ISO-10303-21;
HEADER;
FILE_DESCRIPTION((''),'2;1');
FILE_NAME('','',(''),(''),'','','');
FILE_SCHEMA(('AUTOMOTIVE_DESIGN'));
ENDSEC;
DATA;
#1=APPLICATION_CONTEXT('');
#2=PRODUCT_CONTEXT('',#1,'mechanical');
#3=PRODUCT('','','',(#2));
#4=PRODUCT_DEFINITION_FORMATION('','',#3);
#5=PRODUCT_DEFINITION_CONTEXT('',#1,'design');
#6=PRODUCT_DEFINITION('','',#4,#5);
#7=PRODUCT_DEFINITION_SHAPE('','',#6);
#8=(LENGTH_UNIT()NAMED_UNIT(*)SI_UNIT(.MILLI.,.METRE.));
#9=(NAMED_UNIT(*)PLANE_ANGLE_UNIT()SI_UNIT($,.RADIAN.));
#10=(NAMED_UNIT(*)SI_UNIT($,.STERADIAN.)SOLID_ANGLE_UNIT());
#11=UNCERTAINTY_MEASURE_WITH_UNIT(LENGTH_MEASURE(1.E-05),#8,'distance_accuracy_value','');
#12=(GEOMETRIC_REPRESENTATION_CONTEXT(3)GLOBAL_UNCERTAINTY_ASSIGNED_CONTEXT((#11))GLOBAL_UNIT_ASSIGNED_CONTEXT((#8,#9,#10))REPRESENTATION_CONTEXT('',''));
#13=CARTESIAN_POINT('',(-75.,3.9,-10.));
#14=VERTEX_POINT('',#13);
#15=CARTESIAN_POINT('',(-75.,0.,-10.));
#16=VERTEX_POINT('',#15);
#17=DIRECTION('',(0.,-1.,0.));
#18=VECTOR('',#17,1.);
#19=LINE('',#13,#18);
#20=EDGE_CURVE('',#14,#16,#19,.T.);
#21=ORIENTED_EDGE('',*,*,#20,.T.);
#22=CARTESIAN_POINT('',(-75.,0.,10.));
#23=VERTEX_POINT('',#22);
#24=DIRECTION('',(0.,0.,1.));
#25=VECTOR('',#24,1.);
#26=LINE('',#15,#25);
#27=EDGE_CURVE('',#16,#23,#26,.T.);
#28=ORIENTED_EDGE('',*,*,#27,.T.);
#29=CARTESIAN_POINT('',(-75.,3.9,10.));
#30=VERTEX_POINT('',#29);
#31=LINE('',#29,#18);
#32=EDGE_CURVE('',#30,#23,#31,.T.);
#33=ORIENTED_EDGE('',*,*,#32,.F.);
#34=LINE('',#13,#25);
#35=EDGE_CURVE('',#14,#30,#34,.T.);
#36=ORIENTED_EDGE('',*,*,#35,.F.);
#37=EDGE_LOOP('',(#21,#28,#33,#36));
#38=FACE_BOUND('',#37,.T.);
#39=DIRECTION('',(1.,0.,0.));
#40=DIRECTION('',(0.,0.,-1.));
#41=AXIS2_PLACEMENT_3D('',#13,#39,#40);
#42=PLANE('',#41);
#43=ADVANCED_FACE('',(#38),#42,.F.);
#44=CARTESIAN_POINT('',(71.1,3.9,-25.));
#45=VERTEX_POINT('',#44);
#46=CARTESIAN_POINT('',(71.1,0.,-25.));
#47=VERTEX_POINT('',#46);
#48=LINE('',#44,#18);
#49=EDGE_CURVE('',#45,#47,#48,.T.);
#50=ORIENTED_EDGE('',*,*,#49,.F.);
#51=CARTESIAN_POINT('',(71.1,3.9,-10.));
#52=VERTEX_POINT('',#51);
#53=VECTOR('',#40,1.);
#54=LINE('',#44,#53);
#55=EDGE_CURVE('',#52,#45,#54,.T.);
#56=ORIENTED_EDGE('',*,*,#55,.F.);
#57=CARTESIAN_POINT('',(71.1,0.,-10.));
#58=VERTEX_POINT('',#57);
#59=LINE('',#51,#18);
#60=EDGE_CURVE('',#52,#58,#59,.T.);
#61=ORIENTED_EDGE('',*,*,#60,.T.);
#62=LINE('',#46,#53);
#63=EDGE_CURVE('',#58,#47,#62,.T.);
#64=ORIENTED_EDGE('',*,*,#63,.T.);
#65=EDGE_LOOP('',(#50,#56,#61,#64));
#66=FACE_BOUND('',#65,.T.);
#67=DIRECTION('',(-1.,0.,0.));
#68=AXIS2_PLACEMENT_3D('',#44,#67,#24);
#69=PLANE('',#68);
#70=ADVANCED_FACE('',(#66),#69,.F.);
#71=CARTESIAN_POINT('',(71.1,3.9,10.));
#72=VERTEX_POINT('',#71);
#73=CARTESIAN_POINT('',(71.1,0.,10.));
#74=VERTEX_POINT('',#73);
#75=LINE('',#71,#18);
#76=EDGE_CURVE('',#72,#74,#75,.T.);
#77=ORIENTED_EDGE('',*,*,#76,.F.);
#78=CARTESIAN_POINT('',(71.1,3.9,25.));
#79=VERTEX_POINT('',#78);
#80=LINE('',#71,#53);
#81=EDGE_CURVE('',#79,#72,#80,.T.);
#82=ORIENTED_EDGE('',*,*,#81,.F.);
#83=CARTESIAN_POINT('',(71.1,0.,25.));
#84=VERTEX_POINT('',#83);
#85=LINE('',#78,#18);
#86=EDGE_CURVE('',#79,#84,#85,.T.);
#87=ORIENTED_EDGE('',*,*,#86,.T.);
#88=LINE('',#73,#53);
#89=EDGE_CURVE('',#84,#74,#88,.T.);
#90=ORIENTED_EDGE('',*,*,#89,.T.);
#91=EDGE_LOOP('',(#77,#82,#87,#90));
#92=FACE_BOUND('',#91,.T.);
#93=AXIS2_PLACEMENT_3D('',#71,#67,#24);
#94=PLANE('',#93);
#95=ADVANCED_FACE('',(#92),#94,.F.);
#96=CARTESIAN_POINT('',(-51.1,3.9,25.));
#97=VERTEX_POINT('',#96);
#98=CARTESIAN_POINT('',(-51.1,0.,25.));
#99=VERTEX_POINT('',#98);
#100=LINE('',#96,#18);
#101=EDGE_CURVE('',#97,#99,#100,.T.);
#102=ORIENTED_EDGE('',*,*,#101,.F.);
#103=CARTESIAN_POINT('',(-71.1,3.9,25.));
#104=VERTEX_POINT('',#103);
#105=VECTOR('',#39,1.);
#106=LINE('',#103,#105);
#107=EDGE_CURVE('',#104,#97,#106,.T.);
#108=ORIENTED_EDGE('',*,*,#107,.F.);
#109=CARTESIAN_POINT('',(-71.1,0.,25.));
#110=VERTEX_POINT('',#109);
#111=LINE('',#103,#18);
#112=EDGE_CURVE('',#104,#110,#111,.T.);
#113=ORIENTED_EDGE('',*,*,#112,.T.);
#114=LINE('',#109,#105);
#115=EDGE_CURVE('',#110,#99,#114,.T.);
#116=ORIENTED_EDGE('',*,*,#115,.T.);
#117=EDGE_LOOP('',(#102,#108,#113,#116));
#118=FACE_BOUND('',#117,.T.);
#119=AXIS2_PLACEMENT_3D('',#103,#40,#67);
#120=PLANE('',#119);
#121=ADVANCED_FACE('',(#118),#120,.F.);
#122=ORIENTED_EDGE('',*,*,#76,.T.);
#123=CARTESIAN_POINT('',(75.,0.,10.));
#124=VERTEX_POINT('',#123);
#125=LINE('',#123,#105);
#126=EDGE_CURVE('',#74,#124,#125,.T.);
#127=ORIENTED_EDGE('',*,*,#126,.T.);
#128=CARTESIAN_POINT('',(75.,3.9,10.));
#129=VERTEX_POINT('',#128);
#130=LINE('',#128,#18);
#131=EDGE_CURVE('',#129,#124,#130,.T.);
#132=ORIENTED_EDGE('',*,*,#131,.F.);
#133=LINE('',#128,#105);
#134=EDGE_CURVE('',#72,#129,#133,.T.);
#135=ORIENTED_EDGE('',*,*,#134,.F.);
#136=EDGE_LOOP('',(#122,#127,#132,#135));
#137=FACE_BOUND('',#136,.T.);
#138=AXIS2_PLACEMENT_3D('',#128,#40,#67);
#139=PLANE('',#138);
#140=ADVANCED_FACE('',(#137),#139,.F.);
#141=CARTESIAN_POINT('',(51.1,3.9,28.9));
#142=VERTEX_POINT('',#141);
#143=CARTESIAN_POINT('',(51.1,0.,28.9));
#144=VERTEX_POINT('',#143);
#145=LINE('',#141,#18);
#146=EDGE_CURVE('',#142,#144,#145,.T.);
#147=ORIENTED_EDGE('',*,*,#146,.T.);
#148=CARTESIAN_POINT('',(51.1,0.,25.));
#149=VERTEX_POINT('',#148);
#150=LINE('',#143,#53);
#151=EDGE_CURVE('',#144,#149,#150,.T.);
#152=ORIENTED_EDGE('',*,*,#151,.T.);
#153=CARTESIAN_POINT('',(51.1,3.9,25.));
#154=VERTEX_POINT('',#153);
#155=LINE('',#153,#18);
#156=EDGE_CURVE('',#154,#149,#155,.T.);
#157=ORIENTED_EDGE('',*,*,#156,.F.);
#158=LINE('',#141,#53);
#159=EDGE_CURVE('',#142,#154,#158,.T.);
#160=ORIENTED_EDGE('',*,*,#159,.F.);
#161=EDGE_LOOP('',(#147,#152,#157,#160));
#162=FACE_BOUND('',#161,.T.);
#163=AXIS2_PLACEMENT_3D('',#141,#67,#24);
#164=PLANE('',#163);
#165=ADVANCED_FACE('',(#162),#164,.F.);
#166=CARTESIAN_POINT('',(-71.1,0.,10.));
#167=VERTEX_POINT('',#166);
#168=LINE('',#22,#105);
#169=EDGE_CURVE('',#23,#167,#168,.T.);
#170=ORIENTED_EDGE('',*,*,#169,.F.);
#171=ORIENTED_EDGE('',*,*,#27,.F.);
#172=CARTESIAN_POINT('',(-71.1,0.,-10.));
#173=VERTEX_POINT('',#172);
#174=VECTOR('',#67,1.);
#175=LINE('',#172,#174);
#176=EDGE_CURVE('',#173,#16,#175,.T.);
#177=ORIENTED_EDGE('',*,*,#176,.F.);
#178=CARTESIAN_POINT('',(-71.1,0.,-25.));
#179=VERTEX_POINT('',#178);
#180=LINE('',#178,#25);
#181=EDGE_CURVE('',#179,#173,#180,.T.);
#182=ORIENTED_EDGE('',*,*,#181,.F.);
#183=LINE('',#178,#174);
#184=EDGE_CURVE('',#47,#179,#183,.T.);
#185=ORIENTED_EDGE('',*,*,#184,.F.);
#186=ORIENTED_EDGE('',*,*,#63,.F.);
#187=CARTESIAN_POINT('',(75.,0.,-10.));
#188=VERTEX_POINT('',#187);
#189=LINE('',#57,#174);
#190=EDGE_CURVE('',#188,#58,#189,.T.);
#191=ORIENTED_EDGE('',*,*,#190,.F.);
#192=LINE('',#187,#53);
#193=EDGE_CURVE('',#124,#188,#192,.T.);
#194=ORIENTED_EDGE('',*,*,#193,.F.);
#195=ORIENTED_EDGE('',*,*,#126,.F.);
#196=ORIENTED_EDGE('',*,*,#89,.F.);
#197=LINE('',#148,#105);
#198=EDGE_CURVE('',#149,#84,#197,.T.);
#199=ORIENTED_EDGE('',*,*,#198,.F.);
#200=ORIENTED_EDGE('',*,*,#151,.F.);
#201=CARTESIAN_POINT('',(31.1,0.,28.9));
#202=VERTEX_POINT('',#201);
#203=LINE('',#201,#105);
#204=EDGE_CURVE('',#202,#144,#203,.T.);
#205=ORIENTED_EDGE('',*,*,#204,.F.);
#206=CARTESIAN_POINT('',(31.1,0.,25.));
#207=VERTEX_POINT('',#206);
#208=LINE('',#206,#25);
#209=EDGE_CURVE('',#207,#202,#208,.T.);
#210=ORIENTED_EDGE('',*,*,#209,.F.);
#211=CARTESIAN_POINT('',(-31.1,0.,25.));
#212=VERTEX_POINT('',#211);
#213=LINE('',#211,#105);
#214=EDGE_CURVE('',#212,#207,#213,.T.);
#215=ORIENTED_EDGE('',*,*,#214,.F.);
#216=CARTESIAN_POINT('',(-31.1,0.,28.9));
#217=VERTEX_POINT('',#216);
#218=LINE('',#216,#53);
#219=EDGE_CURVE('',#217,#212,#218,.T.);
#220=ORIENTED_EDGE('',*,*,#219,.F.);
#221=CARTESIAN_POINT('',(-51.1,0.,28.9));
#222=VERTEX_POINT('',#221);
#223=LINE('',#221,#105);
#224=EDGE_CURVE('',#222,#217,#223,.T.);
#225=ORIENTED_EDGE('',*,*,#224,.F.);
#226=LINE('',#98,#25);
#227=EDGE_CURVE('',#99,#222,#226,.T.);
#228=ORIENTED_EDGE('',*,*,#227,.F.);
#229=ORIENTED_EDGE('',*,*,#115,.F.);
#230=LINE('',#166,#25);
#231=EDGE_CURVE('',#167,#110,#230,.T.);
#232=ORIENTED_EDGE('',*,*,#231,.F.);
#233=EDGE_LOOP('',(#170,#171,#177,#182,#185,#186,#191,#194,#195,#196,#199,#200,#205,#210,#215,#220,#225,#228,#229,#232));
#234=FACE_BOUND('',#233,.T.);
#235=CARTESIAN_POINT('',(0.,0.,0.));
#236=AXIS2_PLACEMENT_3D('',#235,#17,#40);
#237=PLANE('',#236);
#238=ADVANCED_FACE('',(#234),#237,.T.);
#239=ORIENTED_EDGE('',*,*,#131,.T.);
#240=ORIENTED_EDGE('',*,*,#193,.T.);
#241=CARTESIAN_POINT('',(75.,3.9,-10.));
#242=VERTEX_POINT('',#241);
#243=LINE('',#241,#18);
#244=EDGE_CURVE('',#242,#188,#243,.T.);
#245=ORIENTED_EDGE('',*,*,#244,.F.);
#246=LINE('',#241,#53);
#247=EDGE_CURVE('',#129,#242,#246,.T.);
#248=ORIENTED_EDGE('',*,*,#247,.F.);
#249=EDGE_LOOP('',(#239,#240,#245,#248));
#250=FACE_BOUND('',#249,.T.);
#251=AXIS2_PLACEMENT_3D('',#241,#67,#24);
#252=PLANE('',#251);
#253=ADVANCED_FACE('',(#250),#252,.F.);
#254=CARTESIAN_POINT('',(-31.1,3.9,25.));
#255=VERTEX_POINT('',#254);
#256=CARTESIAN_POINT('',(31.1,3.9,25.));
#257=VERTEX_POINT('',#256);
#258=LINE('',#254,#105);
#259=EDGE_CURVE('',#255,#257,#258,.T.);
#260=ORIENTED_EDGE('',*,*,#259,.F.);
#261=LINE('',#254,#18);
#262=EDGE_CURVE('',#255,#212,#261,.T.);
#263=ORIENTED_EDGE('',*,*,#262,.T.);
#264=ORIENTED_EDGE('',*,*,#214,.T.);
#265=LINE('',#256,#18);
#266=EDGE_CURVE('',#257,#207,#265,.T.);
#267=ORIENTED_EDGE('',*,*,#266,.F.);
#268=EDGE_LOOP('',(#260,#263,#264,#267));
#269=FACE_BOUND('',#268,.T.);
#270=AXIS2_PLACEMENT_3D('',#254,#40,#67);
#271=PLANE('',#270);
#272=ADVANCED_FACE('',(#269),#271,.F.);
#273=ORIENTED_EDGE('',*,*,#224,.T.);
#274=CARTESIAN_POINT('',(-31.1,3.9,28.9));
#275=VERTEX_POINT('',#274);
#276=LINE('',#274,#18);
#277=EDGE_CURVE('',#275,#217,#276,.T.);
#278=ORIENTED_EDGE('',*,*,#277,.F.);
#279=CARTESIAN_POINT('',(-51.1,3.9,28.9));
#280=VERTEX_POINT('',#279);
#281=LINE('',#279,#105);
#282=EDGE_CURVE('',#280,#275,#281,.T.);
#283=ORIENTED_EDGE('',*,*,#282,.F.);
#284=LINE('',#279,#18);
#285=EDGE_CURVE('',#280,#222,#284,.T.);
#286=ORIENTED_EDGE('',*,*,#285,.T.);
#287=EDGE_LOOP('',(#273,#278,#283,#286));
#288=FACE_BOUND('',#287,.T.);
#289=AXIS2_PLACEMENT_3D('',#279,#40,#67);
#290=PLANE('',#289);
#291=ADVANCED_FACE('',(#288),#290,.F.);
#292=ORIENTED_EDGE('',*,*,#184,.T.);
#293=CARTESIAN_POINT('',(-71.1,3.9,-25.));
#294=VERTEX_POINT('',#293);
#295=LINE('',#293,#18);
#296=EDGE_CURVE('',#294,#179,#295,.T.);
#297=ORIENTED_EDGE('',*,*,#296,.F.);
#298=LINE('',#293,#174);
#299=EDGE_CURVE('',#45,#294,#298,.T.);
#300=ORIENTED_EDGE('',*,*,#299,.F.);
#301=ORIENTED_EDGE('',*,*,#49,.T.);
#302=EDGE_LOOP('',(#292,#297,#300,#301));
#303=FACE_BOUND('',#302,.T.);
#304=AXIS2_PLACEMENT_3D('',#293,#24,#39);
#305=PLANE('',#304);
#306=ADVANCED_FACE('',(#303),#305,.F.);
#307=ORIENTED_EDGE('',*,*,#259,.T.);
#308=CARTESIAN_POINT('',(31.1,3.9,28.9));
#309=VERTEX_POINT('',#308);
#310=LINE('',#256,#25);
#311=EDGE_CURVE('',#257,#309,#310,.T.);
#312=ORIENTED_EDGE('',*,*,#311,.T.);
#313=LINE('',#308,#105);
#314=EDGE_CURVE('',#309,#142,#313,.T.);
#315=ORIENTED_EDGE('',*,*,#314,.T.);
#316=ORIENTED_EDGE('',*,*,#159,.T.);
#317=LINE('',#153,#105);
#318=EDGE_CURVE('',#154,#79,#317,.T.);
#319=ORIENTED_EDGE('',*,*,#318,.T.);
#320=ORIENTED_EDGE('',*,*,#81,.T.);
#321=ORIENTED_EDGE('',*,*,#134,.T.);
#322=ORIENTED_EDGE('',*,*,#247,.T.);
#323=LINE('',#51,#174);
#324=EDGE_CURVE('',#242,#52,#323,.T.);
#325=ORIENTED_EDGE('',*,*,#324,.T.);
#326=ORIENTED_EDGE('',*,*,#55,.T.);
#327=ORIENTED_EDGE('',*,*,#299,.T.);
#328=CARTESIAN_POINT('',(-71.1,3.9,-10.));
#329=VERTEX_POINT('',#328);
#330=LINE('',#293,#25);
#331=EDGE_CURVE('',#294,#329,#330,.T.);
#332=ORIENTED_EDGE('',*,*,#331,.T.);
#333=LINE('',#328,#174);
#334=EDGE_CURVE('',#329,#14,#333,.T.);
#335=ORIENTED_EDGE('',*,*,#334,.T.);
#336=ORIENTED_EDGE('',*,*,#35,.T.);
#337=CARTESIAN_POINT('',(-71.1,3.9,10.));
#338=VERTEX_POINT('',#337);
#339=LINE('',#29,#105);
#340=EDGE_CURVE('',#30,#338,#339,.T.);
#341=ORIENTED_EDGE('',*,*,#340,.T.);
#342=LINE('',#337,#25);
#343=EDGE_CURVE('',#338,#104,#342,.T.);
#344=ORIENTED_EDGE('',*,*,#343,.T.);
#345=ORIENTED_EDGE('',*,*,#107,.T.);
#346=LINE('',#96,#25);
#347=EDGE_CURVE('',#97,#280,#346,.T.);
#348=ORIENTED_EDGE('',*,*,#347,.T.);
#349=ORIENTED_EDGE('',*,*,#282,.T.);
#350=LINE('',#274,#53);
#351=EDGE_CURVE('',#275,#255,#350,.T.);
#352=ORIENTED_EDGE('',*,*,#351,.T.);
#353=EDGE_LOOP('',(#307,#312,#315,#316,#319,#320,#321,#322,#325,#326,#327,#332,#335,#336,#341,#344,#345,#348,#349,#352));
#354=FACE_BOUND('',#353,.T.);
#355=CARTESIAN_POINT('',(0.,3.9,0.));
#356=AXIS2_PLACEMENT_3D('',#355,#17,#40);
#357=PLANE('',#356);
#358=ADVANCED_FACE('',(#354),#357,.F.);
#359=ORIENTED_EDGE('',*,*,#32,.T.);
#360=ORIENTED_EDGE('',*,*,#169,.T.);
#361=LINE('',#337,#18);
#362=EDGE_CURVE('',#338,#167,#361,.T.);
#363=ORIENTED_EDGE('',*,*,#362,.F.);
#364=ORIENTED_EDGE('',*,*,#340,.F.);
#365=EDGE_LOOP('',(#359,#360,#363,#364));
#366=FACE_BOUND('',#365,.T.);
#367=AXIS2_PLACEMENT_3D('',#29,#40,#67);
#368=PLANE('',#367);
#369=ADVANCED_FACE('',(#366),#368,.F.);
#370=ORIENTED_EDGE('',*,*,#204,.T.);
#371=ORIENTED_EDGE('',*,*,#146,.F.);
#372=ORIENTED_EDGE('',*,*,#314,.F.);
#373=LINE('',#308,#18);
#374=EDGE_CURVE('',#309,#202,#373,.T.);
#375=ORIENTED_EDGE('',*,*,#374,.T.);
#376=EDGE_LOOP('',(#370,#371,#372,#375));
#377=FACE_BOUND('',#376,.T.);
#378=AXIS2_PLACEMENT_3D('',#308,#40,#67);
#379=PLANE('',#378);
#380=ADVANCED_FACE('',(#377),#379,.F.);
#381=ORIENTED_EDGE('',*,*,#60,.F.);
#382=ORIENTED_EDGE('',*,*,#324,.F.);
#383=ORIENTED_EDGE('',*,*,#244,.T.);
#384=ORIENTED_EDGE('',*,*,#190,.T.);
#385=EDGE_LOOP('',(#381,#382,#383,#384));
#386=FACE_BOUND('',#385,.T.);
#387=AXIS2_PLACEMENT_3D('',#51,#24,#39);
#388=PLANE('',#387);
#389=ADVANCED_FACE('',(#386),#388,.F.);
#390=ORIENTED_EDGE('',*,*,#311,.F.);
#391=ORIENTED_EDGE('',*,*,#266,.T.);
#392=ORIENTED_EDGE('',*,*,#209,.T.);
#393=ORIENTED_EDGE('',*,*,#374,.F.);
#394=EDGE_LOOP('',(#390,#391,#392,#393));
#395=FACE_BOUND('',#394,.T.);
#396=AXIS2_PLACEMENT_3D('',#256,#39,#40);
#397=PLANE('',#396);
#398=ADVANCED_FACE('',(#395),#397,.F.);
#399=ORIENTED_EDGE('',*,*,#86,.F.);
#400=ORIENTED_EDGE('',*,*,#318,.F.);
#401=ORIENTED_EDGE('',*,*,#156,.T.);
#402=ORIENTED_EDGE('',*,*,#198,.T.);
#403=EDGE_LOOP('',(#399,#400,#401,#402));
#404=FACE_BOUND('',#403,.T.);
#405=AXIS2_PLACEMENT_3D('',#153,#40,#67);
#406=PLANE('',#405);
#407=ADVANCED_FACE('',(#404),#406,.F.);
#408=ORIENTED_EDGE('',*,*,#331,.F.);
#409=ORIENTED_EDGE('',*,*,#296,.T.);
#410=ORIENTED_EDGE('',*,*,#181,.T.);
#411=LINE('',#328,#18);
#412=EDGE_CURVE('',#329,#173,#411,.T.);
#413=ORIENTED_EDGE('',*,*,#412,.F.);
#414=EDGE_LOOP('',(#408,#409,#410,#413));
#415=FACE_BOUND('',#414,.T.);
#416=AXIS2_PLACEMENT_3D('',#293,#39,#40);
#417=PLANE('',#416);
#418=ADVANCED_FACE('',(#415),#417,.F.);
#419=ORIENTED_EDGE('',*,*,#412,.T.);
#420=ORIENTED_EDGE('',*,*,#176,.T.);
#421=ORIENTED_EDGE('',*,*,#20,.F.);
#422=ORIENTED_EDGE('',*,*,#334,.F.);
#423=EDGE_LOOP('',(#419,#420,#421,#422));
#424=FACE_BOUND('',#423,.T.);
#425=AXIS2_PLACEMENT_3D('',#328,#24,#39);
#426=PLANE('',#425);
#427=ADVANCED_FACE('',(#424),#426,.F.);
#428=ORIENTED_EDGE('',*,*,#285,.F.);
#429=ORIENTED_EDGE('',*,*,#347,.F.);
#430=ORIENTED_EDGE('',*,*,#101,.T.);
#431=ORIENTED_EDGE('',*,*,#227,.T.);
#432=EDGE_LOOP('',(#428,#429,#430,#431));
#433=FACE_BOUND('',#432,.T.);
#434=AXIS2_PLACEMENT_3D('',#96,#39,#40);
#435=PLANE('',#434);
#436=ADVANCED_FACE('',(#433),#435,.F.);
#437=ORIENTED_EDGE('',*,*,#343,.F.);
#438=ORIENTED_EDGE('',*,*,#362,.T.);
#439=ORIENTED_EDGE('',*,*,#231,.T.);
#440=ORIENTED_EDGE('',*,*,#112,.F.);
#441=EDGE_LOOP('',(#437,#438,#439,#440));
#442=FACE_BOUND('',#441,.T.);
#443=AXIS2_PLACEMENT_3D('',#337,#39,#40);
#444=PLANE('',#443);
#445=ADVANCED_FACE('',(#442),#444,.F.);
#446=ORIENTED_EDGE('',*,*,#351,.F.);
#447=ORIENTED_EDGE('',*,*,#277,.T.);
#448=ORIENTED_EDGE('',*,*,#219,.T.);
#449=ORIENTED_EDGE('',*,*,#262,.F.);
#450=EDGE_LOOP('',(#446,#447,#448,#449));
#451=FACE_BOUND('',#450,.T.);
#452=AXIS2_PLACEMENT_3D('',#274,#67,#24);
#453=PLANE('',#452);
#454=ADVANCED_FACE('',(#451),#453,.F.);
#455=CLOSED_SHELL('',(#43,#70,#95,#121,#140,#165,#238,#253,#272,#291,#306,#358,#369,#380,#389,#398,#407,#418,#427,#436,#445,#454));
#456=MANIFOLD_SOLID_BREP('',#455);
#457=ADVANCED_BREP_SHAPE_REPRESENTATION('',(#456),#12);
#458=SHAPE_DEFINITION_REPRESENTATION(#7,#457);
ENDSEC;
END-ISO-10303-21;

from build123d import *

# Parameters (mm, degrees)
BOSS_EXTRUDE1_DEPTH = 3.9


with BuildPart() as part:
    # Sketch1 → Boss-Extrude1 (new body)
    with BuildSketch(Plane(origin=(0, 0, 0), x_dir=(1, 0, 0), z_dir=(0, 1, 0))):
        Polygon((-71.1, 25), (-71.1, 10), (-75, 10), (-75, -10), (-71.1, -10), (-71.1, -25), (-51.1, -25), (-51.1, -28.9), (-31.1, -28.9), (-31.1, -25), (31.1, -25), (31.1, -28.9), (51.1, -28.9), (51.1, -25), (71.1, -25), (71.1, -10), (75, -10), (75, 10), (71.1, 10), (71.1, 25), align=None)
    extrude(amount=BOSS_EXTRUDE1_DEPTH)


solid = part.part
